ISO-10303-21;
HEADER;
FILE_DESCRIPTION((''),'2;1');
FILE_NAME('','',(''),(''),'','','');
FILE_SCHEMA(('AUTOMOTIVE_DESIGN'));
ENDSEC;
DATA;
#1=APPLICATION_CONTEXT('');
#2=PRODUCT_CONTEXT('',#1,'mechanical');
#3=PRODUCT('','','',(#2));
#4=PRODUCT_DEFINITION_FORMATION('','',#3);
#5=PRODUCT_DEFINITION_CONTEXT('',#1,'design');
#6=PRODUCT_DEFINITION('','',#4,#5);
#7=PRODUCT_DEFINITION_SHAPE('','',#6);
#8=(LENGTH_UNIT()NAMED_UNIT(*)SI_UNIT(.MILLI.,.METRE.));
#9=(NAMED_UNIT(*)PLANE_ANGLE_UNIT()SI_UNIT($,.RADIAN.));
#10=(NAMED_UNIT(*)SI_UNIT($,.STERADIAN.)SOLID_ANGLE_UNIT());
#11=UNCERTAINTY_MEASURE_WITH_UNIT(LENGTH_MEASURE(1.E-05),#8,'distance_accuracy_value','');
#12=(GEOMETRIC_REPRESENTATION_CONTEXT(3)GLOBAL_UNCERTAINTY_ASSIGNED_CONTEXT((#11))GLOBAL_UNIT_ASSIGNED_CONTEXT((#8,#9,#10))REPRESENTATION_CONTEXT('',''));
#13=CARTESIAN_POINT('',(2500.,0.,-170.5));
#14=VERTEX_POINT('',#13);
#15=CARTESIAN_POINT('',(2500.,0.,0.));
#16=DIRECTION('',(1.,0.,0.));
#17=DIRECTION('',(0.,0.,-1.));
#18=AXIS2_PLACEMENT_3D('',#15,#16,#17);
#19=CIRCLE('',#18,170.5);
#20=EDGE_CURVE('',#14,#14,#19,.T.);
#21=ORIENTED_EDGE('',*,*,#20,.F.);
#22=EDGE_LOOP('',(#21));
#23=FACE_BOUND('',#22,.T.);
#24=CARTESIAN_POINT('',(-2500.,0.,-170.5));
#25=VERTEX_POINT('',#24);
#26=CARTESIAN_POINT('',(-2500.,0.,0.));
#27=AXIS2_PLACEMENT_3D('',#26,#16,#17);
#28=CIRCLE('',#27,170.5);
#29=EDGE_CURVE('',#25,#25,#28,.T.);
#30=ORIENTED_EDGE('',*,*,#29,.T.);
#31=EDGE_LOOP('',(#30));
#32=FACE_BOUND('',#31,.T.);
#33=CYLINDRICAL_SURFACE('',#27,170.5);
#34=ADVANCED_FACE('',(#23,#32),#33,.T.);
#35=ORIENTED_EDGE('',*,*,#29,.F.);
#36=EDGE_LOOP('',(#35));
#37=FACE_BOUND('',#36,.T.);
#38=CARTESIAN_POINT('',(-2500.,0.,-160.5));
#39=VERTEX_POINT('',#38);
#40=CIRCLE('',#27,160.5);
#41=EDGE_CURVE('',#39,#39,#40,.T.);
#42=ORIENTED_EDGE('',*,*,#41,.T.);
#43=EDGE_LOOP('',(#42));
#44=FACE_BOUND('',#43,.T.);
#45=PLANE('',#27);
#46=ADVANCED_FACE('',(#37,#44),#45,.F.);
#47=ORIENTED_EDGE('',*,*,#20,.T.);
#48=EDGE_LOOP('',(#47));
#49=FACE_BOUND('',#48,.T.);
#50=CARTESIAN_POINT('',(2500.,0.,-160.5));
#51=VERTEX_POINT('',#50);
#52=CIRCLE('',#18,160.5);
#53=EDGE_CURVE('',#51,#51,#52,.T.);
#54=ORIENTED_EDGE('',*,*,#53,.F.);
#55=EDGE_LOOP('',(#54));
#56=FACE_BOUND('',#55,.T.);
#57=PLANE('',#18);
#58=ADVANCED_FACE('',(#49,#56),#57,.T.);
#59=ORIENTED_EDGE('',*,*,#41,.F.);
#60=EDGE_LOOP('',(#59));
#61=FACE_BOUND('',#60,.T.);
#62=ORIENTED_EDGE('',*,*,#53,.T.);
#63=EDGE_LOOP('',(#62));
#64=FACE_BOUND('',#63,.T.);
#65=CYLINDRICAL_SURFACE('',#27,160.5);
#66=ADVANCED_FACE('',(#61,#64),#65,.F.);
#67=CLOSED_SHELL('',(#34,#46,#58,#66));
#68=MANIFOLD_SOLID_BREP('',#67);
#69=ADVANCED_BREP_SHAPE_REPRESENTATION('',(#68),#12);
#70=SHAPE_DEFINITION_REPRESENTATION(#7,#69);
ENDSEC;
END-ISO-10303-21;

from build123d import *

# Parameters (mm, degrees)
BOSS_EXTRUDE1_DEPTH      = 2500
BOSS_EXTRUDE1_DEPTH_BACK = 2500
SKETCH1_R                = 170.5
SHELL1_T                 = -10


with BuildPart() as part:
    # Sketch1 → Boss-Extrude1 (new, two sides: drawn at the far end of the back side and taken through both)
    with BuildSketch(Plane.YZ.offset(-BOSS_EXTRUDE1_DEPTH_BACK)):
        Circle(SKETCH1_R)
    extrude(amount=BOSS_EXTRUDE1_DEPTH + BOSS_EXTRUDE1_DEPTH_BACK)

    # Shell1
    shell1_openings = [part.faces().sort_by_distance(p)[0] for p in [
        (-2500, 0, 0),
        (2500, 0, 0),
    ]]
    offset(amount=SHELL1_T, openings=shell1_openings, kind=Kind.INTERSECTION)


solid = part.part
